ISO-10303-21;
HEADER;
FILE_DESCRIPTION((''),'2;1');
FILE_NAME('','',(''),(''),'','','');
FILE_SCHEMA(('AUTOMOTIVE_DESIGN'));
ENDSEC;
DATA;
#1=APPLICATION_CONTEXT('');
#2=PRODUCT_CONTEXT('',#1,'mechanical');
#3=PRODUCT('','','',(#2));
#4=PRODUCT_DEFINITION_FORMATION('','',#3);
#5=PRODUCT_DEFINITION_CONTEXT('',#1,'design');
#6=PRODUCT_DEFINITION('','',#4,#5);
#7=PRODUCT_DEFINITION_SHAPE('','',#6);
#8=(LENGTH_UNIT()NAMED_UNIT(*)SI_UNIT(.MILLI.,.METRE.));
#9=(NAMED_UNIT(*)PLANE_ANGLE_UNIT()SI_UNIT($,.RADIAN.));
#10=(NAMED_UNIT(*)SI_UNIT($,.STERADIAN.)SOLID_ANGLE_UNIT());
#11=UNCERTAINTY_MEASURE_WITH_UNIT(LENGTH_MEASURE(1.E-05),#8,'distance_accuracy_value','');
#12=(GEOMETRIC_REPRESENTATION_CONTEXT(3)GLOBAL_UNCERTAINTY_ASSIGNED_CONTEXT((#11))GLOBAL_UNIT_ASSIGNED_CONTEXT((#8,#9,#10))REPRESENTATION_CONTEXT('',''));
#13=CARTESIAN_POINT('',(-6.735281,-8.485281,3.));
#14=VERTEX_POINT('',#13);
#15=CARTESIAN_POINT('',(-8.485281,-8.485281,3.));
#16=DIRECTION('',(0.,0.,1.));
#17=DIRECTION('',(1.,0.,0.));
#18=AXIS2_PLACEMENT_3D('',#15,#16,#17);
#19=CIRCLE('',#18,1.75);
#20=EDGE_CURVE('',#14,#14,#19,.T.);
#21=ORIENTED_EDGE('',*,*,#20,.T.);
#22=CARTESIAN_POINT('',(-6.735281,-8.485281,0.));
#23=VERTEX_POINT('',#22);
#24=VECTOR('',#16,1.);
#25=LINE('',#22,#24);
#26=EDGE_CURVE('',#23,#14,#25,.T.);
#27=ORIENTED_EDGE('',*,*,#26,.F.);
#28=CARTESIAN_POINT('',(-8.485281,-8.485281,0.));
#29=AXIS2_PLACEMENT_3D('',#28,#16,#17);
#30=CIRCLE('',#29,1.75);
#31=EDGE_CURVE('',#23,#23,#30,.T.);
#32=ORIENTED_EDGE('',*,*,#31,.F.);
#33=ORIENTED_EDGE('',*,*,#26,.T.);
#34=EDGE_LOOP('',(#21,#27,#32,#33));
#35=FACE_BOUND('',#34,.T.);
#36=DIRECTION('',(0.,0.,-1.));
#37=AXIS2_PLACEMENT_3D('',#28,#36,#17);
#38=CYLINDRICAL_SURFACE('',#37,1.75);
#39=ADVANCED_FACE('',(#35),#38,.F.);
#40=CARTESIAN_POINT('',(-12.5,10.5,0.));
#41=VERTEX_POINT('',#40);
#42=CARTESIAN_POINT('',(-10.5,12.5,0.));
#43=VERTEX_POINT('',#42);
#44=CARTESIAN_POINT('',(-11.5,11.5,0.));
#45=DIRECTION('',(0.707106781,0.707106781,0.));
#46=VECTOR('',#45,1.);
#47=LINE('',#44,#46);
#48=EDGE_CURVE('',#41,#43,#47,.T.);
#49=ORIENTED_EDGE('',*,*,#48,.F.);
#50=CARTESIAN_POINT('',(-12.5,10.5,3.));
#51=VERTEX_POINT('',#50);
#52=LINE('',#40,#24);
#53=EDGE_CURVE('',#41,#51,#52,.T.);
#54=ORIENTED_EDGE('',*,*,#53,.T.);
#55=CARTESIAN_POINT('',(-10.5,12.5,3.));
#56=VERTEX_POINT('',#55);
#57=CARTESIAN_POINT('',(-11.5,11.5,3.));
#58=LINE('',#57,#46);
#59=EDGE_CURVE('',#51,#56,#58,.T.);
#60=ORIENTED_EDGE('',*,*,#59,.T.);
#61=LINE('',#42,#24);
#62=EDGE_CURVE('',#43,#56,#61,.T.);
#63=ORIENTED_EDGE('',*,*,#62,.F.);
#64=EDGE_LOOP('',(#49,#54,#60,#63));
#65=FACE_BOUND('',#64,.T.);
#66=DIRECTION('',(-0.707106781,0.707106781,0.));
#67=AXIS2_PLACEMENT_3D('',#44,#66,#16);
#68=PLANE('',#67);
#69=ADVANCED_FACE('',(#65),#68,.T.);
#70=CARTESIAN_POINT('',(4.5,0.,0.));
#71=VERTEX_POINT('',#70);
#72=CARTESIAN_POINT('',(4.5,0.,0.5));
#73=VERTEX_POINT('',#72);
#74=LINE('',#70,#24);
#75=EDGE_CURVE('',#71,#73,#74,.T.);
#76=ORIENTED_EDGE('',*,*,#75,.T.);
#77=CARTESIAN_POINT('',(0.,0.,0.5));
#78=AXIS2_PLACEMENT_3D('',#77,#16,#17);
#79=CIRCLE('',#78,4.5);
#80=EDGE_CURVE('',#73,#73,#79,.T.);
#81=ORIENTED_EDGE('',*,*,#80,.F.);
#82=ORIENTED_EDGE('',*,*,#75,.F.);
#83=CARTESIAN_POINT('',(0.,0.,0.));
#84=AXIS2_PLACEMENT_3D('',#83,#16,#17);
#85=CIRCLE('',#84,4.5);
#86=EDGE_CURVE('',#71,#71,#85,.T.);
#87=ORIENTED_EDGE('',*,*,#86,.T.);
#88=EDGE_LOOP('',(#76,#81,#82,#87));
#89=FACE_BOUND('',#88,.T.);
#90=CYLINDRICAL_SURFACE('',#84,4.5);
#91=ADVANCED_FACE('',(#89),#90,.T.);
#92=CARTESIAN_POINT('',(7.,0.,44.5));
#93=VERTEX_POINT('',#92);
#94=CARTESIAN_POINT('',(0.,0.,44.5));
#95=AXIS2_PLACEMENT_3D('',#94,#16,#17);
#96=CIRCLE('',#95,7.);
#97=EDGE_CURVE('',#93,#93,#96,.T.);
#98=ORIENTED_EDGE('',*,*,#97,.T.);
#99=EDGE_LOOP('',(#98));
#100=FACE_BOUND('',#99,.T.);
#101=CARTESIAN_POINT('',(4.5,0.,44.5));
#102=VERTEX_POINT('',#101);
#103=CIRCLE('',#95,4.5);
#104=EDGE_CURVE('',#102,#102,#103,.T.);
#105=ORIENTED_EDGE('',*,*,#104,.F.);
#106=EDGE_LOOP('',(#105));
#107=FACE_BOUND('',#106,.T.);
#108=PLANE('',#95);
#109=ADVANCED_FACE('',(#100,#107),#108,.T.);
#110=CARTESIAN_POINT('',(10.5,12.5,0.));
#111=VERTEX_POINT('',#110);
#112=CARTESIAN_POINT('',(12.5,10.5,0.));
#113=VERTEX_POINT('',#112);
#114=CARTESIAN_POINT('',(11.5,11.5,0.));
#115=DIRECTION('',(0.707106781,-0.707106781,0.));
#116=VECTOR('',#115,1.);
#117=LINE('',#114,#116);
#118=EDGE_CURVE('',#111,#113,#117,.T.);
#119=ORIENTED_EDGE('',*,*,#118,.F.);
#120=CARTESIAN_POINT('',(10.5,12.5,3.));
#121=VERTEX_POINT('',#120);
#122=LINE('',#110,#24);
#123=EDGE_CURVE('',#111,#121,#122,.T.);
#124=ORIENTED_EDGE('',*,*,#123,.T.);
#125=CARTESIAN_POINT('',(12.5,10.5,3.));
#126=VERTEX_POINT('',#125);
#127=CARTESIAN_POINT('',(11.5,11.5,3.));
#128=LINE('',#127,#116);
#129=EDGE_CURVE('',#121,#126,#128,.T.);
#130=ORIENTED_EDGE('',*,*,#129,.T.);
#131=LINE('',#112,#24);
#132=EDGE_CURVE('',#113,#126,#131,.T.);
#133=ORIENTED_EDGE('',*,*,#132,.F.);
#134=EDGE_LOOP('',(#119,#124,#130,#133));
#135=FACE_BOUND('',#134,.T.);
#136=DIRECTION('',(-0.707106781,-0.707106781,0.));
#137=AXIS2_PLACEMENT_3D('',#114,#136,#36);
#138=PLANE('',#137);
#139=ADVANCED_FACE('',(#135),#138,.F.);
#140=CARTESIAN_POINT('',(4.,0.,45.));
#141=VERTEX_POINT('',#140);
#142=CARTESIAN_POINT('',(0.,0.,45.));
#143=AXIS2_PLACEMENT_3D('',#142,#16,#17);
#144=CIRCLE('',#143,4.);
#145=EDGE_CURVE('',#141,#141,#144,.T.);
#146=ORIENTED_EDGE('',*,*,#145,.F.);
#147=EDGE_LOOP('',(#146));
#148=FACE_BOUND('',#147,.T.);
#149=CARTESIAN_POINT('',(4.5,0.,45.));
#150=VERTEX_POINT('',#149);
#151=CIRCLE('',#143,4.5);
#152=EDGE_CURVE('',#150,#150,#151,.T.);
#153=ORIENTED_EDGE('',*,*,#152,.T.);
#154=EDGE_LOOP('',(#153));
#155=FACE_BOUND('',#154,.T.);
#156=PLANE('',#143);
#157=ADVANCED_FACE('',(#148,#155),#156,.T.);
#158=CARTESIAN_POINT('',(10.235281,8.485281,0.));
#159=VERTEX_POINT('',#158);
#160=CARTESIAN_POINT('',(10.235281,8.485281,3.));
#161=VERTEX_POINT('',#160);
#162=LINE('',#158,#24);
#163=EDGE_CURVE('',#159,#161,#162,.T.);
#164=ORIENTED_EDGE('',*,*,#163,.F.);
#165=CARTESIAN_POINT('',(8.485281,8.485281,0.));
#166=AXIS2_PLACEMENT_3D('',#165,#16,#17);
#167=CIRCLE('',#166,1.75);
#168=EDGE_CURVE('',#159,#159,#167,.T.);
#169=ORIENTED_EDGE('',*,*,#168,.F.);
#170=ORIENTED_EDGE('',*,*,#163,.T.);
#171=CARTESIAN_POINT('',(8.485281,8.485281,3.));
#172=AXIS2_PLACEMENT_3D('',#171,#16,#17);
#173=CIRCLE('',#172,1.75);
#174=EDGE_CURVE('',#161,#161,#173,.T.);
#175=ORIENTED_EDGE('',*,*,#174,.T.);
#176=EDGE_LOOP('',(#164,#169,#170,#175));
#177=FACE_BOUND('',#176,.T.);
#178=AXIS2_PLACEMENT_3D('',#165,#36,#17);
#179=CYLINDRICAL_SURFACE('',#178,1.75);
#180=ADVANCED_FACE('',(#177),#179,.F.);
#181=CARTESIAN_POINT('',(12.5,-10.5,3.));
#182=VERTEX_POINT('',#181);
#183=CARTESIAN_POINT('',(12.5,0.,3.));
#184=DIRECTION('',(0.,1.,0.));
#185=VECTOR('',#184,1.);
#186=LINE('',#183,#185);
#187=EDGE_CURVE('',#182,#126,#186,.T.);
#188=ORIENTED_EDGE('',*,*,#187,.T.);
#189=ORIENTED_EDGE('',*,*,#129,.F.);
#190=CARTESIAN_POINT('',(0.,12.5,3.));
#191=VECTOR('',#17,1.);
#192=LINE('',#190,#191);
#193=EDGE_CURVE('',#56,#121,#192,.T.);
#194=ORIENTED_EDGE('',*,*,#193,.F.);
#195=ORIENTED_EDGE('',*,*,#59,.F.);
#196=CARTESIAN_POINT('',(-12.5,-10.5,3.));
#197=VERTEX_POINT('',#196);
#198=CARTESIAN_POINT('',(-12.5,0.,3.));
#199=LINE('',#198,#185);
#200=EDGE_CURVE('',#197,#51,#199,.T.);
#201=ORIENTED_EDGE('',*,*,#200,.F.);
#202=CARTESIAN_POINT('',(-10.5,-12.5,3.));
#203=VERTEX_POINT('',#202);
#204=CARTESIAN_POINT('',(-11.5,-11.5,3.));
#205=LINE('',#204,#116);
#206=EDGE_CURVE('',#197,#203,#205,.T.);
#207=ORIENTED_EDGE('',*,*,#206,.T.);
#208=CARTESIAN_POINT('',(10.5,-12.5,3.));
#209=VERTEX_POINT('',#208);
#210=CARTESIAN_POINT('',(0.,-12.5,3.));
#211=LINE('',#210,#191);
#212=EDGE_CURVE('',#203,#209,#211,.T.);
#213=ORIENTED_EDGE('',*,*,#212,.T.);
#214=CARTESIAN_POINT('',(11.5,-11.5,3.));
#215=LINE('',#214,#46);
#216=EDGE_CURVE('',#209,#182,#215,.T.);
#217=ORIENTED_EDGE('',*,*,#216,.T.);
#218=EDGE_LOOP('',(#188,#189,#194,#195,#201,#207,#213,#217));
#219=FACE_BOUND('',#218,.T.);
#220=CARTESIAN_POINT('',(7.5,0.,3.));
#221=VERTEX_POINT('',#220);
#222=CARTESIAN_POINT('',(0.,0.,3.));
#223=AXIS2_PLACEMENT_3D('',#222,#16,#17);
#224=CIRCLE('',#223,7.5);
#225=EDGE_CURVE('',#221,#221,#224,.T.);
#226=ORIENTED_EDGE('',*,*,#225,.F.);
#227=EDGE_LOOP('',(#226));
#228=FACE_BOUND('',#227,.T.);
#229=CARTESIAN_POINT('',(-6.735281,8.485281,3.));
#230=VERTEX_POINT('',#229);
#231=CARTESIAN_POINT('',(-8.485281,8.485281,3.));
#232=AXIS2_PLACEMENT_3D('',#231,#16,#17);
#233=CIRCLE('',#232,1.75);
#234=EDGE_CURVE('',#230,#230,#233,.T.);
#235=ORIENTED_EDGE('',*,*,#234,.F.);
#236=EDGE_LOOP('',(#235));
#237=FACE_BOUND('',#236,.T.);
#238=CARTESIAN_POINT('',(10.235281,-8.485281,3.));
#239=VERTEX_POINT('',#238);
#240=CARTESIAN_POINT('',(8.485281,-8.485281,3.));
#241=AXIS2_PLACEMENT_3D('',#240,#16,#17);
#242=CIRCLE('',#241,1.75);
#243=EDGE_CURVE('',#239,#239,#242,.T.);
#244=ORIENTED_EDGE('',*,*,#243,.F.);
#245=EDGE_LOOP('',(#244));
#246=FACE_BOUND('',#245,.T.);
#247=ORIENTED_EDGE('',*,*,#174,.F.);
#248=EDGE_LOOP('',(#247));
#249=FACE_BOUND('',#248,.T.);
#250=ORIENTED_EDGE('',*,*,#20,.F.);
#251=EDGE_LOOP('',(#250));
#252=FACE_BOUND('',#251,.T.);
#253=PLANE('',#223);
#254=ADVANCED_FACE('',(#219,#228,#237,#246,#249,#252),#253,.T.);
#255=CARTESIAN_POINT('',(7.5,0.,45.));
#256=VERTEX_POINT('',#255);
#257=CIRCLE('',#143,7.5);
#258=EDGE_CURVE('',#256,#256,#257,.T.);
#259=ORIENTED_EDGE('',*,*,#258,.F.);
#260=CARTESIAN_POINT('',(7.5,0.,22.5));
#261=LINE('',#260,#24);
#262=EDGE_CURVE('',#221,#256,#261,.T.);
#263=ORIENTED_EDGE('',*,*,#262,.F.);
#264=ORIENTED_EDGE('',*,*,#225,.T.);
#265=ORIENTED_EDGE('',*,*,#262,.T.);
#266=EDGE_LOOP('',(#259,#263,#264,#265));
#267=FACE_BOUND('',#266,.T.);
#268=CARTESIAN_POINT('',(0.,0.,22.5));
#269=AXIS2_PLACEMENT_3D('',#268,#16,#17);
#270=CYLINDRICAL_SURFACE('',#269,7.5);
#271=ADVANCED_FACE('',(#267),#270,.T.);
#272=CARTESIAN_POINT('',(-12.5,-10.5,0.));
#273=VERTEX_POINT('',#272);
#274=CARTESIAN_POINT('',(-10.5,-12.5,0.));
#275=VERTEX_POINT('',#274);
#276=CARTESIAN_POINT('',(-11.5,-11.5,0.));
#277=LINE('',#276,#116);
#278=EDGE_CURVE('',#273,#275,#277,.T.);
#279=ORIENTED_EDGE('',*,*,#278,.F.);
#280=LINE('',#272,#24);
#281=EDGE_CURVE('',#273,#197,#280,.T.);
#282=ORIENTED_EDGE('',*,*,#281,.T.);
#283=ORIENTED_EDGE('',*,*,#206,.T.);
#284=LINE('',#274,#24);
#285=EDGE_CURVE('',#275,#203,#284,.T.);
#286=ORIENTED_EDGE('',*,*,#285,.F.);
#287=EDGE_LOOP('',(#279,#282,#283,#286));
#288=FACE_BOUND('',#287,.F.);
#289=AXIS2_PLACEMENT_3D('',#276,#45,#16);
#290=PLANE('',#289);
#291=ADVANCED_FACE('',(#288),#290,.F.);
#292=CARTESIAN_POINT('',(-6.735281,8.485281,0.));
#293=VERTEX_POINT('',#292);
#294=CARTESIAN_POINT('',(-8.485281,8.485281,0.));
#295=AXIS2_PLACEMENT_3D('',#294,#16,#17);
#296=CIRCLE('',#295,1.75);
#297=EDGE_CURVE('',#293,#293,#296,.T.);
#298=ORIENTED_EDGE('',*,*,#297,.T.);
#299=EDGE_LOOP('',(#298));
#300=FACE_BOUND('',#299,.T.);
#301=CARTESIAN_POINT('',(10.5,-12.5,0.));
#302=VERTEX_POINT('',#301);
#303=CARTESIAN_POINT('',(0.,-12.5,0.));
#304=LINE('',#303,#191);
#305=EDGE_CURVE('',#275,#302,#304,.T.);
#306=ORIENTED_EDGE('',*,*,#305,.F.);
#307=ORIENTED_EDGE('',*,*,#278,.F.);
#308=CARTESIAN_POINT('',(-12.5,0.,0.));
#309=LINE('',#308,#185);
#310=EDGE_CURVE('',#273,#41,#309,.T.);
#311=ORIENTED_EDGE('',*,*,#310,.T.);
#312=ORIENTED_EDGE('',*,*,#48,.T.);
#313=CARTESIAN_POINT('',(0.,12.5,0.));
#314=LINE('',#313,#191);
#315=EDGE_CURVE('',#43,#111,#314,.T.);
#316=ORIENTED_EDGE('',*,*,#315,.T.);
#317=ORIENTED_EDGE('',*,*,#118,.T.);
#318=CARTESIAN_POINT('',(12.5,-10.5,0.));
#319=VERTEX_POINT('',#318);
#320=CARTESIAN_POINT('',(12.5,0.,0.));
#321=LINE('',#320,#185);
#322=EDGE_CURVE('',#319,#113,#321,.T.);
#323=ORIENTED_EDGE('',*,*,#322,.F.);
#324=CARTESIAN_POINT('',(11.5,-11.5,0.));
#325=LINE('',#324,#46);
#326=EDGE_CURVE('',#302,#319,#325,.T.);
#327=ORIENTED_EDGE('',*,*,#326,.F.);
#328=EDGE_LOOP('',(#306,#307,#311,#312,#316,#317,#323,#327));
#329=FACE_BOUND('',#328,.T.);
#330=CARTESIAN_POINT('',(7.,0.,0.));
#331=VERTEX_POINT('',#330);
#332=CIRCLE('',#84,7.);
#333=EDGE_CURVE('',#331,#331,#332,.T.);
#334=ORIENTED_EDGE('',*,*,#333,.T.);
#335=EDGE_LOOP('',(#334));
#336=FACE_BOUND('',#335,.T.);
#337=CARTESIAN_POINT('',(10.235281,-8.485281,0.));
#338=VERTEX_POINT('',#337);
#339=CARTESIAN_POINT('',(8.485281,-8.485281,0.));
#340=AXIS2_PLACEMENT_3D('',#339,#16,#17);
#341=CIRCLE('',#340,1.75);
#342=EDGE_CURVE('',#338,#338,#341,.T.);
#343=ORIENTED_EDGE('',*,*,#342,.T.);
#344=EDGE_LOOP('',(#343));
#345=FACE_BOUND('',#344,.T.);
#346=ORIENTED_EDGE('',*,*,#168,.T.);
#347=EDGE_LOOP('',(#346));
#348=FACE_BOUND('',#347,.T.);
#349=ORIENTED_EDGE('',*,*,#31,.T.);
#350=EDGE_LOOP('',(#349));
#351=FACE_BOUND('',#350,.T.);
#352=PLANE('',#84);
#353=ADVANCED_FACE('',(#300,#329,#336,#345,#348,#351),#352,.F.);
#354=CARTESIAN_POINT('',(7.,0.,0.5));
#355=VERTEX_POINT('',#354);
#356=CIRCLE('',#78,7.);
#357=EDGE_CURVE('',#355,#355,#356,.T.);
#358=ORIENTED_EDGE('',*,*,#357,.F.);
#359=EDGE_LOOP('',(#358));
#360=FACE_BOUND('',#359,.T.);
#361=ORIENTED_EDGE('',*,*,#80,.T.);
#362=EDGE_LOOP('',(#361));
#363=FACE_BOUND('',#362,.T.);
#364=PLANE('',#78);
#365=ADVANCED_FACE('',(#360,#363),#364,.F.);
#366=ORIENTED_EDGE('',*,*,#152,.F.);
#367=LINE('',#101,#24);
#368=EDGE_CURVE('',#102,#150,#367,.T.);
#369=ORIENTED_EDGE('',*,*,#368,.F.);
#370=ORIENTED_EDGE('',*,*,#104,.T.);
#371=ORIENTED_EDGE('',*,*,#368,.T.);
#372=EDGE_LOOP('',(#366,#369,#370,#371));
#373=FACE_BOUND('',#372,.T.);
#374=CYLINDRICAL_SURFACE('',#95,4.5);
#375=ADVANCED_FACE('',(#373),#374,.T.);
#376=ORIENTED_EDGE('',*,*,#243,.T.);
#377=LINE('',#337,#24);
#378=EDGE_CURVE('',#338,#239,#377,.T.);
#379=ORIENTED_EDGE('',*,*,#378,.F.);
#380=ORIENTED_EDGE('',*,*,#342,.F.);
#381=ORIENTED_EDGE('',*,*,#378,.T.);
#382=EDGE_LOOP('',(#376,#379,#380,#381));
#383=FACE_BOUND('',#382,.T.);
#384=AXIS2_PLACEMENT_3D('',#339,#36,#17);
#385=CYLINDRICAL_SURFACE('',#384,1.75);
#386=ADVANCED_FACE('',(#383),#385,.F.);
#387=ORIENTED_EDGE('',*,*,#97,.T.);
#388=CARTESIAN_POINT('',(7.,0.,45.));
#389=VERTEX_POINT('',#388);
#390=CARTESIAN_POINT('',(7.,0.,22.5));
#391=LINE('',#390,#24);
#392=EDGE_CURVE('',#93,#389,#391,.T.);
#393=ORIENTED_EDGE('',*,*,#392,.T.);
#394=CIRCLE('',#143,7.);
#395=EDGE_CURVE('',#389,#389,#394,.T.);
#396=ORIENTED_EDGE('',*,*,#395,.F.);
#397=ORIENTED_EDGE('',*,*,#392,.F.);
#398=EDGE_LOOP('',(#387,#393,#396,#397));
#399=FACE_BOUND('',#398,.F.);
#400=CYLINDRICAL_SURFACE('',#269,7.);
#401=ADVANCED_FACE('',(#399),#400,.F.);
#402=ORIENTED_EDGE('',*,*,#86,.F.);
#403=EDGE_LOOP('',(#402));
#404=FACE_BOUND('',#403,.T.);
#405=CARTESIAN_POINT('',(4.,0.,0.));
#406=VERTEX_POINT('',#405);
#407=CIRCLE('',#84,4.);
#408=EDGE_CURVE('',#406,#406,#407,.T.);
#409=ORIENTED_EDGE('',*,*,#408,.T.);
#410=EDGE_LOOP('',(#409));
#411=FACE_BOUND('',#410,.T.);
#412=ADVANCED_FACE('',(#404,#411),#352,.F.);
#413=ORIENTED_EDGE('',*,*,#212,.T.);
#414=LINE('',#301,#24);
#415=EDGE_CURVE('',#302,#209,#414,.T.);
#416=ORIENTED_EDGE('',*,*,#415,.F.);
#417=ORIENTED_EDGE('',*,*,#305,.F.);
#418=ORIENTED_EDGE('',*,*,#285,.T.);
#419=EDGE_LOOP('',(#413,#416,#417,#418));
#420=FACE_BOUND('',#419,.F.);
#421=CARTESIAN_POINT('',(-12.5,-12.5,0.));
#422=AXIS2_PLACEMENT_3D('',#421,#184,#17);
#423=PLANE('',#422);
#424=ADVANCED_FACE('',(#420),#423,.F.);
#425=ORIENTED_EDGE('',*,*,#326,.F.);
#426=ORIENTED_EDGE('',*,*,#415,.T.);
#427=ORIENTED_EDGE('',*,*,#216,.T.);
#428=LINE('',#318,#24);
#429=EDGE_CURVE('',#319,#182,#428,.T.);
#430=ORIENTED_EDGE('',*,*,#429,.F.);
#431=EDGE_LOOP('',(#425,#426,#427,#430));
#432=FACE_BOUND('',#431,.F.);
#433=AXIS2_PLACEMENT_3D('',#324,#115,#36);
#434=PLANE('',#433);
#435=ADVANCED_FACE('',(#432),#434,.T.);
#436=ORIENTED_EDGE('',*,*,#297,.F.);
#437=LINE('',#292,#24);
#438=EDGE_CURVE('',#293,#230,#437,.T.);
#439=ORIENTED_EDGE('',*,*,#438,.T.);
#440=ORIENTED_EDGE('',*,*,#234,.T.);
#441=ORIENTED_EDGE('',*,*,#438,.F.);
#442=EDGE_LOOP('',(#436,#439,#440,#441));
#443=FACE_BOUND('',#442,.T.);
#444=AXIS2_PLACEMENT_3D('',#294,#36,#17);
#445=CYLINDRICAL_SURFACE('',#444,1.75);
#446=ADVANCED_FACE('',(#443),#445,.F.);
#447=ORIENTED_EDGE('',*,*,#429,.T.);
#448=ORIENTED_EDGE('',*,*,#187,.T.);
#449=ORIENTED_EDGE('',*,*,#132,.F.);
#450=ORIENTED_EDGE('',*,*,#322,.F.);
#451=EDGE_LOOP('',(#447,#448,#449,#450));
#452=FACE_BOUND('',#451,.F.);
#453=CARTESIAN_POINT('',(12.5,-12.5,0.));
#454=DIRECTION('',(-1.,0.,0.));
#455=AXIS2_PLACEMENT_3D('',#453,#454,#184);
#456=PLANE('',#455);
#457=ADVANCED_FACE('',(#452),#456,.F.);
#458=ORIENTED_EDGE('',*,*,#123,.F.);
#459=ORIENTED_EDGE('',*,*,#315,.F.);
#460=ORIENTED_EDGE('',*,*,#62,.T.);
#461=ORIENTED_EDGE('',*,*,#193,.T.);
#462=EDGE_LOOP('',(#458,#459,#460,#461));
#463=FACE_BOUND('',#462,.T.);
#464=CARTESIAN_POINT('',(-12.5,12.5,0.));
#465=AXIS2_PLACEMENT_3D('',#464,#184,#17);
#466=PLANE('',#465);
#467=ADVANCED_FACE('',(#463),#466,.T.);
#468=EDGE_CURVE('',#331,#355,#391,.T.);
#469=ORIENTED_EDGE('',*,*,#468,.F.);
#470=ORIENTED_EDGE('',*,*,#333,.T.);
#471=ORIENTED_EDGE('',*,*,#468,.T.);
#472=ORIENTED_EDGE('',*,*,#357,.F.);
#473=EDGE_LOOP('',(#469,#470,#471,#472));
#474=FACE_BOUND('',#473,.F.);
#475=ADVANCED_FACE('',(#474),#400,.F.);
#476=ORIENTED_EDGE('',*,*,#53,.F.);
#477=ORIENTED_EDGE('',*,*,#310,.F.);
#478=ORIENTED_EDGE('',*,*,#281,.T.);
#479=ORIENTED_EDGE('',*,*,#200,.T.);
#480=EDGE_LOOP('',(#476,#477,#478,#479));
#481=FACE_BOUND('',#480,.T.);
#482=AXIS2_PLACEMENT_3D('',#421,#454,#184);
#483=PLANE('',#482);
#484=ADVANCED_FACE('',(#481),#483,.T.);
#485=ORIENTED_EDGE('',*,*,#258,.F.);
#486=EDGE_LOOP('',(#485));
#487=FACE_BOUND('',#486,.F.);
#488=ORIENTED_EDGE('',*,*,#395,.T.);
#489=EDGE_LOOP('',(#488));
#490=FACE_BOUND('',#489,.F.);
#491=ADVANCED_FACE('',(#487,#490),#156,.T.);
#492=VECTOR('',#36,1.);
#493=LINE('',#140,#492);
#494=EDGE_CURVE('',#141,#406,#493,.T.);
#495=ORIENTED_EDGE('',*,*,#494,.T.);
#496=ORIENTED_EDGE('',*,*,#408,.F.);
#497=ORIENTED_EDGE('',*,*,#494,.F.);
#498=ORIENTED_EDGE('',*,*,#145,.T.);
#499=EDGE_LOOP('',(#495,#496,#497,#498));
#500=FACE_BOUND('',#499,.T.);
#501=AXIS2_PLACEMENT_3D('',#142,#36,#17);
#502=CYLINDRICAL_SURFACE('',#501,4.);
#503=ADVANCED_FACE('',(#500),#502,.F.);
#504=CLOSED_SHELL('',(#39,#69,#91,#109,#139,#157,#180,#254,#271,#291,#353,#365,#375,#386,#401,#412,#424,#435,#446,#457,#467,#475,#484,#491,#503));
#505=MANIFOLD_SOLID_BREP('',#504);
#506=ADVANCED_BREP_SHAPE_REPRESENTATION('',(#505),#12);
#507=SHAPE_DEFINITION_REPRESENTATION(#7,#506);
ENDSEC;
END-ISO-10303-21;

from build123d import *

# Parameters (mm, degrees)
SKETCH_W     = 25
SKETCH_H     = 25
SKETCH_R     = 7.5
SKETCH_R_2   = 1.75
PAD_DEPTH    = 3
SKETCH002_W  = 0.5
SKETCH002_H  = 45
CHAMFER_SIZE = 2


with BuildPart() as part:
    # Sketch → Pad (new body)
    with BuildSketch(Plane.XY):
        Rectangle(SKETCH_W, SKETCH_H)
        Circle(SKETCH_R, mode=Mode.SUBTRACT)
        with Locations((8.485281, 8.485281)):
            Circle(SKETCH_R_2, mode=Mode.SUBTRACT)
        with Locations((-8.485281, 8.485281)):
            Circle(SKETCH_R_2, mode=Mode.SUBTRACT)
        with Locations((8.485281, -8.485281)):
            Circle(SKETCH_R_2, mode=Mode.SUBTRACT)
        with Locations((-8.485281, -8.485281)):
            Circle(SKETCH_R_2, mode=Mode.SUBTRACT)
    extrude(amount=PAD_DEPTH)

    # Sketch001 → Revolution (revolve)
    with BuildSketch(Plane.XZ):
        Polygon((4, 45), (4, 0), (4.5, 0), (4.5, 0.5), (7, 0.5), (7, 44.5), (4.5, 44.5), (4.5, 45), align=None)
    revolve(axis=Axis((0, 0, 0), (0, 0, 1)))

    # Sketch002 → Revolution001 (revolve)
    with BuildSketch(Plane.XZ):
        with Locations((7.25, 22.5)):
            Rectangle(SKETCH002_W, SKETCH002_H)
    revolve(axis=Axis((0, 0, 0), (0, 0, 1)))

    # Chamfer
    chamfer_edges = [part.edges().sort_by_distance(p)[0] for p in [
        (-12.5, -12.5, 1.5),
        (-12.5, 12.5, 1.5),
        (12.5, 12.5, 1.5),
        (12.5, -12.5, 1.5),
    ]]
    chamfer(chamfer_edges, length=CHAMFER_SIZE)


solid = part.part
